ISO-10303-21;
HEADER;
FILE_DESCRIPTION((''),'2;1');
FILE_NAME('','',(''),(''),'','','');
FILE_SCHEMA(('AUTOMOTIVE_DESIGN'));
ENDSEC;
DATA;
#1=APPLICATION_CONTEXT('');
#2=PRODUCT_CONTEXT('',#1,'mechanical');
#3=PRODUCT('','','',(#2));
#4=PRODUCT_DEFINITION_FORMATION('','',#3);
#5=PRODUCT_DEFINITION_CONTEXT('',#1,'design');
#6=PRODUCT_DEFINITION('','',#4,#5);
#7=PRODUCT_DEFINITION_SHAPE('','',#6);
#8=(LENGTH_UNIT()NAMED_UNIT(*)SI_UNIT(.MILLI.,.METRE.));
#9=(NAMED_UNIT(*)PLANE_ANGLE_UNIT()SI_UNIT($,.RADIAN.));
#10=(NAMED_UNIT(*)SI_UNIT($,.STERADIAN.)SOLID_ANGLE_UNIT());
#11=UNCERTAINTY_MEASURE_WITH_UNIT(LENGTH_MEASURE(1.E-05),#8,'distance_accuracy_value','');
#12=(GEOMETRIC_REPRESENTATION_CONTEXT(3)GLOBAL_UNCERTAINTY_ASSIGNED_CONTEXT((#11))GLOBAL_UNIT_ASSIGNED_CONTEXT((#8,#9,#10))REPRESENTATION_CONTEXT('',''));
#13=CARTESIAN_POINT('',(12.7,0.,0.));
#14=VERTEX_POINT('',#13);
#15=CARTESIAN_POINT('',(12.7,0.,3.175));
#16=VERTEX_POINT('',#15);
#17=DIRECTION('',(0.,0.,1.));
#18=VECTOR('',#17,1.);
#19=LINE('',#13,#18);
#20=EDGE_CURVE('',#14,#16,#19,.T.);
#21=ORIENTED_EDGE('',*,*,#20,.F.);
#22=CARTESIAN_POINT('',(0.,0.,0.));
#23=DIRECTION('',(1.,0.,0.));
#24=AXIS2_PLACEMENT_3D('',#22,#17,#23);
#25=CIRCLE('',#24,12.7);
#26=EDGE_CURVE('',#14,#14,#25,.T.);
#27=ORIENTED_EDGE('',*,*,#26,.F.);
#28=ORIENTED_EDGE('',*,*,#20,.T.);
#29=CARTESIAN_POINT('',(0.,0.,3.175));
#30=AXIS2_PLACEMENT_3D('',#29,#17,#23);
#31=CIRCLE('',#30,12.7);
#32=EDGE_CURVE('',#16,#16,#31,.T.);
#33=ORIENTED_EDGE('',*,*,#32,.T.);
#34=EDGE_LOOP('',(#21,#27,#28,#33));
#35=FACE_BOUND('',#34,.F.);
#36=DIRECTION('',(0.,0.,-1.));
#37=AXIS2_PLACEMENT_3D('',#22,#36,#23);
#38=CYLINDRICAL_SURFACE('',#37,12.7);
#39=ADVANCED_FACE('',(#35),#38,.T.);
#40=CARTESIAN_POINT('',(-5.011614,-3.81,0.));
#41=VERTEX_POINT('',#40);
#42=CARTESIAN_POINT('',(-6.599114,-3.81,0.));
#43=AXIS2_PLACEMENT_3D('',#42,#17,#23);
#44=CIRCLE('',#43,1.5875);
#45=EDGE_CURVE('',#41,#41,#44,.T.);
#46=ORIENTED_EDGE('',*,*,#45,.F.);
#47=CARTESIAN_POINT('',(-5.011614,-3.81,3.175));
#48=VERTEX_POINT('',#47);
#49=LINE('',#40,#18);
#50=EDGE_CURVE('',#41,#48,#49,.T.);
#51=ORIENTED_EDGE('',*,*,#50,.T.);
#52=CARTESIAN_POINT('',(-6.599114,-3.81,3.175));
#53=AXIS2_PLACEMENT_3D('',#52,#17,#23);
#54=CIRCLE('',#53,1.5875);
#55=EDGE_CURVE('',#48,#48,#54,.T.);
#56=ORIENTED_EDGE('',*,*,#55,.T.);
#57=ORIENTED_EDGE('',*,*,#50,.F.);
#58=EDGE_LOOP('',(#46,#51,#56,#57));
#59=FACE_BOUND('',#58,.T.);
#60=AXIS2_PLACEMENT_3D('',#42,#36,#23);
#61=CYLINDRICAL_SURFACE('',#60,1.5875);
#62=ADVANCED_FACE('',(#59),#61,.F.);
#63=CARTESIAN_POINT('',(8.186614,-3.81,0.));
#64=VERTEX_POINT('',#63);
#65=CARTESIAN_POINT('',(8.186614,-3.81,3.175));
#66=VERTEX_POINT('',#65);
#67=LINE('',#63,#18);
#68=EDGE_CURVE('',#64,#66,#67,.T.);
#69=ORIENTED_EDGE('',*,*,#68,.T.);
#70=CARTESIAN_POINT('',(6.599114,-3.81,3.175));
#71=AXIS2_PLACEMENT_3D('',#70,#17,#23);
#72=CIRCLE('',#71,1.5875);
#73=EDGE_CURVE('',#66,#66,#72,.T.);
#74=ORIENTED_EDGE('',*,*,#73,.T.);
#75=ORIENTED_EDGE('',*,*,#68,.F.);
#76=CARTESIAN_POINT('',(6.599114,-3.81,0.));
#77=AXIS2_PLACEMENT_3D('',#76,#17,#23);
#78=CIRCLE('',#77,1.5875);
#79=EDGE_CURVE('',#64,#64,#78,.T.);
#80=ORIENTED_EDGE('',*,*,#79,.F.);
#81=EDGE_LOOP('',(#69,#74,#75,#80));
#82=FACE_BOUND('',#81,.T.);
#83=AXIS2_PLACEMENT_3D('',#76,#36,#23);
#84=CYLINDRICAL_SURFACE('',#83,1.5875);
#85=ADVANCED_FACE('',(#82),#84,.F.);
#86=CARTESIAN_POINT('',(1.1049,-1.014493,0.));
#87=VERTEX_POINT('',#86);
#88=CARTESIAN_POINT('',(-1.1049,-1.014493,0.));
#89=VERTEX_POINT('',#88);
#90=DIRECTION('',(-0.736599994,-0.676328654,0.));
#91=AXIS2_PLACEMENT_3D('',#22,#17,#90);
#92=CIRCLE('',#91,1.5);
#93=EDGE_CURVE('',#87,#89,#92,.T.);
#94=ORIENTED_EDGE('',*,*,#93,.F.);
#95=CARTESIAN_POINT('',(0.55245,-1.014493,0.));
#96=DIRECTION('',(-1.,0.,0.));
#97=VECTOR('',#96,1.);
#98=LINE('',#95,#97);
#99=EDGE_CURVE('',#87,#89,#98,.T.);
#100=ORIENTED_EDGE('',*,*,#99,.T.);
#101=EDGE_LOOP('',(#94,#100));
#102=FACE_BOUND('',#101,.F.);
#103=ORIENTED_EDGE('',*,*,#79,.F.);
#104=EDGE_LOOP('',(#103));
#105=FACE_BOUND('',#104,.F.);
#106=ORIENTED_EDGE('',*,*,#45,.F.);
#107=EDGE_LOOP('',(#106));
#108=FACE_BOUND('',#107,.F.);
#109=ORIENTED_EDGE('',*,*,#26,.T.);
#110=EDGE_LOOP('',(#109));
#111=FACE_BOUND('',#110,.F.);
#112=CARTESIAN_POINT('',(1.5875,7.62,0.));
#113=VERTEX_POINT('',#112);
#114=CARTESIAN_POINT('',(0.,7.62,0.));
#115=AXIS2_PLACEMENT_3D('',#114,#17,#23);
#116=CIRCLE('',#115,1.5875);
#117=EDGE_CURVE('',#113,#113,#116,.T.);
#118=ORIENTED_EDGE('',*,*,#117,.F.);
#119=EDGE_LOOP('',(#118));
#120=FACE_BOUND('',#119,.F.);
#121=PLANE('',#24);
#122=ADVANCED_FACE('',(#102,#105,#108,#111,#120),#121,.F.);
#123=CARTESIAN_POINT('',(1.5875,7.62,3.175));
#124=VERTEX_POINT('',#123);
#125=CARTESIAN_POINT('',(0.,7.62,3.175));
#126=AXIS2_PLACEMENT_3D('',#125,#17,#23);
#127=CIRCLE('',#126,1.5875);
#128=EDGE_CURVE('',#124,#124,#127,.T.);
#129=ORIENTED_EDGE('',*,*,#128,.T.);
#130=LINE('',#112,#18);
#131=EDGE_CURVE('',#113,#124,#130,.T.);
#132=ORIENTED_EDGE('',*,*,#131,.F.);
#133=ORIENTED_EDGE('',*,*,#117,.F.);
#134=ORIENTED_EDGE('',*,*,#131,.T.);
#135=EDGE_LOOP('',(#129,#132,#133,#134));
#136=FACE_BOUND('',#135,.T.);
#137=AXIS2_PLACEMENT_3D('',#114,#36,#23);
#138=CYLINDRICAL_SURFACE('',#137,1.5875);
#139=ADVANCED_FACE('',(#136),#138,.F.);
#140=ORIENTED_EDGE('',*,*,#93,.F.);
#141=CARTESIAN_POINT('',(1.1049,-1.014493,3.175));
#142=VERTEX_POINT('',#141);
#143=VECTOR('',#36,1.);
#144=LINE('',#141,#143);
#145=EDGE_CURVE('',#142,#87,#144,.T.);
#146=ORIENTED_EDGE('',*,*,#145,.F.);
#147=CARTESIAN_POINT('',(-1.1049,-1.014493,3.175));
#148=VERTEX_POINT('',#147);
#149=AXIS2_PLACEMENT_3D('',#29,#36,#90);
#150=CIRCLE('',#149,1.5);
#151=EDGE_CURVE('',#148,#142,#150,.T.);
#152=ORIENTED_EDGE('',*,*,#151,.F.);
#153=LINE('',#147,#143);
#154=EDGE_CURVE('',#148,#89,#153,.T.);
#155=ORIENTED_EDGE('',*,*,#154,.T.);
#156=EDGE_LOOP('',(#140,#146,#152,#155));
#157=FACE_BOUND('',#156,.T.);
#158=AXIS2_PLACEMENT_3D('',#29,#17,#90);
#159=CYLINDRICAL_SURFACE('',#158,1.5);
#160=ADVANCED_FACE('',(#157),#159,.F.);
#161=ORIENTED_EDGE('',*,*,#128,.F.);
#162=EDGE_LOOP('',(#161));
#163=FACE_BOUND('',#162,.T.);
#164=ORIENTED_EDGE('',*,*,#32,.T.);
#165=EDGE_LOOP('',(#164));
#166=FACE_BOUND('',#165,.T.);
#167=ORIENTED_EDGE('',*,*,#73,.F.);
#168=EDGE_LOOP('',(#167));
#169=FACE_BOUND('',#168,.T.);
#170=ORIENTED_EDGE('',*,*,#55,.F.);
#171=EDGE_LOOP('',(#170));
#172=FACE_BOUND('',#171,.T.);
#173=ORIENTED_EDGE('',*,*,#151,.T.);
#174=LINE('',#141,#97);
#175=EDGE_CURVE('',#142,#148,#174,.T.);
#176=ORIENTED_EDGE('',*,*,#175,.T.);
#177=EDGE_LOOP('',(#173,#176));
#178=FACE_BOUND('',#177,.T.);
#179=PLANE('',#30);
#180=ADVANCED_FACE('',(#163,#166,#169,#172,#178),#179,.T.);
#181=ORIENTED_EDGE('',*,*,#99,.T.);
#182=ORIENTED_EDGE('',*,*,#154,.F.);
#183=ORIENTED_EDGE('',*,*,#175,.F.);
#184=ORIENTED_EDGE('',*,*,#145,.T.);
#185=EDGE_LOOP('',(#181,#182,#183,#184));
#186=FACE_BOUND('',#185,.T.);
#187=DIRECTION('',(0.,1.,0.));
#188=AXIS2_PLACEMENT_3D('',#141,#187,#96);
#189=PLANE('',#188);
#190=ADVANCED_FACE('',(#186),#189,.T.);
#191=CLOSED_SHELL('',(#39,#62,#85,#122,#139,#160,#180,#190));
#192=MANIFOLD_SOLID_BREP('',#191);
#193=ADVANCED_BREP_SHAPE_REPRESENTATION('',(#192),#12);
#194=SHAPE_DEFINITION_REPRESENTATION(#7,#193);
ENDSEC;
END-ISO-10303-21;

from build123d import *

# Parameters (mm, degrees)
F0_R     = 12.7
F0_R_2   = 1.5875
F1_DEPTH = 3.175
F2_R     = 12.7
F2_R_2   = 1.5875
F3_DEPTH = 25.4


with BuildPart() as f1:
    # F0 (on Top) → F1 (new body)
    with BuildSketch(Plane.XY):
        Circle(F0_R)
        with Locations((-6.599114, -3.81)):
            Circle(F0_R_2, mode=Mode.SUBTRACT)
        with Locations((6.599114, -3.81)):
            Circle(F0_R_2, mode=Mode.SUBTRACT)
        with Locations((0, 7.62)):
            Circle(F0_R_2, mode=Mode.SUBTRACT)
    extrude(amount=F1_DEPTH)

    # F2 (on face) → F3 (intersect)
    with BuildSketch(Plane.XY.offset(3.175)):
        Circle(F2_R)
        with Locations((-6.599114, -3.81)):
            Circle(F2_R_2, mode=Mode.SUBTRACT)
        with Locations((6.599114, -3.81)):
            Circle(F2_R_2, mode=Mode.SUBTRACT)
        with BuildLine():
            Line((1.1049, -1.014493), (-1.1049, -1.014493))
            ThreePointArc((-1.1049, -1.014493), (0, 1.5), (1.1049, -1.014493))
        make_face(mode=Mode.SUBTRACT)
        with Locations((0, 7.62)):
            Circle(F2_R_2, mode=Mode.SUBTRACT)
    extrude(amount=-F3_DEPTH, mode=Mode.INTERSECT)


solid = f1.part
